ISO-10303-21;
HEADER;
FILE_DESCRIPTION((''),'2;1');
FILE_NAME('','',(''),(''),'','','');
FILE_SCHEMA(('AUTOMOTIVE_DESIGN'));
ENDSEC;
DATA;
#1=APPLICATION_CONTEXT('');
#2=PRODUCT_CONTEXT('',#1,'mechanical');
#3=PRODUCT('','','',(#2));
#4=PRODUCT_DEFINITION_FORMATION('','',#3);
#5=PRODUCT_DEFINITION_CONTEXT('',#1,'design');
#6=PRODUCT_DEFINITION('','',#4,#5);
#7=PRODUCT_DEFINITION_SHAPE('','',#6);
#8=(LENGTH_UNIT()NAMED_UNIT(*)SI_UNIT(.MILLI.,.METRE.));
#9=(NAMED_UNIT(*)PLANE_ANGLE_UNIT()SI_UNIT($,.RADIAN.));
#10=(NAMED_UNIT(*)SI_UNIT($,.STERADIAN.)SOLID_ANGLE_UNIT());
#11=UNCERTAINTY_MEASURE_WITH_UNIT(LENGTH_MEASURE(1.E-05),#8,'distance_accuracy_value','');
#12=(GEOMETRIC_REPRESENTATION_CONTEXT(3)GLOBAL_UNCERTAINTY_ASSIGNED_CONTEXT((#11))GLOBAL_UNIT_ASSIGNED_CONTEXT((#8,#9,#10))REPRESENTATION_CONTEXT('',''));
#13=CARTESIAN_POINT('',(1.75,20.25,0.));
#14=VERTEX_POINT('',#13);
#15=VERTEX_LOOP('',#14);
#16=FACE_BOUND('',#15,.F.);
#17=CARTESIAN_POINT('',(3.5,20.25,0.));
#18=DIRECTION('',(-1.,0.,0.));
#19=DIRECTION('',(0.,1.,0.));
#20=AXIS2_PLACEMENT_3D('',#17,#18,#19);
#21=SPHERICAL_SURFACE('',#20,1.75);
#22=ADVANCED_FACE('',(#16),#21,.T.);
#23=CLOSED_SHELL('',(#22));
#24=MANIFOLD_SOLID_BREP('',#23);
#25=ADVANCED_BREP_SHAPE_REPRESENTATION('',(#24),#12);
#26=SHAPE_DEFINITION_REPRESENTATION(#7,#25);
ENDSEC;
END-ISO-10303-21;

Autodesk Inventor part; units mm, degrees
ref_plane "YZ Plane" through (0, 0, 0) normal (1, 0, 0) x (0, 1, 0)
ref_plane "XZ Plane" through (0, 0, 0) normal (0, 1, 0) x (-1, 0, 0)
ref_plane "XY Plane" through (0, 0, 0) normal (0, 0, 1) x (1, 0, 0)
sketch "Sketch_6" plane through (0, 0, 0) normal (0, 0, 1) x (1, 0, 0)
  line L0 (5.25, 20.25) -> (1.75, 20.25)
  arc A0 (5.25, 20.25) -> (1.75, 20.25) centre (3.5, 20.25) ccw
  line L1 (5.25, 20.25) -> (1.75, 20.25)
  dimension "d0" = 360
revolve "Revolution1" add sketch "Sketch_6" angle 360 about axis through (5.25, 20.25, 0) along (1, 0, 0)
properties part number "61807-2RS1_PART3"
